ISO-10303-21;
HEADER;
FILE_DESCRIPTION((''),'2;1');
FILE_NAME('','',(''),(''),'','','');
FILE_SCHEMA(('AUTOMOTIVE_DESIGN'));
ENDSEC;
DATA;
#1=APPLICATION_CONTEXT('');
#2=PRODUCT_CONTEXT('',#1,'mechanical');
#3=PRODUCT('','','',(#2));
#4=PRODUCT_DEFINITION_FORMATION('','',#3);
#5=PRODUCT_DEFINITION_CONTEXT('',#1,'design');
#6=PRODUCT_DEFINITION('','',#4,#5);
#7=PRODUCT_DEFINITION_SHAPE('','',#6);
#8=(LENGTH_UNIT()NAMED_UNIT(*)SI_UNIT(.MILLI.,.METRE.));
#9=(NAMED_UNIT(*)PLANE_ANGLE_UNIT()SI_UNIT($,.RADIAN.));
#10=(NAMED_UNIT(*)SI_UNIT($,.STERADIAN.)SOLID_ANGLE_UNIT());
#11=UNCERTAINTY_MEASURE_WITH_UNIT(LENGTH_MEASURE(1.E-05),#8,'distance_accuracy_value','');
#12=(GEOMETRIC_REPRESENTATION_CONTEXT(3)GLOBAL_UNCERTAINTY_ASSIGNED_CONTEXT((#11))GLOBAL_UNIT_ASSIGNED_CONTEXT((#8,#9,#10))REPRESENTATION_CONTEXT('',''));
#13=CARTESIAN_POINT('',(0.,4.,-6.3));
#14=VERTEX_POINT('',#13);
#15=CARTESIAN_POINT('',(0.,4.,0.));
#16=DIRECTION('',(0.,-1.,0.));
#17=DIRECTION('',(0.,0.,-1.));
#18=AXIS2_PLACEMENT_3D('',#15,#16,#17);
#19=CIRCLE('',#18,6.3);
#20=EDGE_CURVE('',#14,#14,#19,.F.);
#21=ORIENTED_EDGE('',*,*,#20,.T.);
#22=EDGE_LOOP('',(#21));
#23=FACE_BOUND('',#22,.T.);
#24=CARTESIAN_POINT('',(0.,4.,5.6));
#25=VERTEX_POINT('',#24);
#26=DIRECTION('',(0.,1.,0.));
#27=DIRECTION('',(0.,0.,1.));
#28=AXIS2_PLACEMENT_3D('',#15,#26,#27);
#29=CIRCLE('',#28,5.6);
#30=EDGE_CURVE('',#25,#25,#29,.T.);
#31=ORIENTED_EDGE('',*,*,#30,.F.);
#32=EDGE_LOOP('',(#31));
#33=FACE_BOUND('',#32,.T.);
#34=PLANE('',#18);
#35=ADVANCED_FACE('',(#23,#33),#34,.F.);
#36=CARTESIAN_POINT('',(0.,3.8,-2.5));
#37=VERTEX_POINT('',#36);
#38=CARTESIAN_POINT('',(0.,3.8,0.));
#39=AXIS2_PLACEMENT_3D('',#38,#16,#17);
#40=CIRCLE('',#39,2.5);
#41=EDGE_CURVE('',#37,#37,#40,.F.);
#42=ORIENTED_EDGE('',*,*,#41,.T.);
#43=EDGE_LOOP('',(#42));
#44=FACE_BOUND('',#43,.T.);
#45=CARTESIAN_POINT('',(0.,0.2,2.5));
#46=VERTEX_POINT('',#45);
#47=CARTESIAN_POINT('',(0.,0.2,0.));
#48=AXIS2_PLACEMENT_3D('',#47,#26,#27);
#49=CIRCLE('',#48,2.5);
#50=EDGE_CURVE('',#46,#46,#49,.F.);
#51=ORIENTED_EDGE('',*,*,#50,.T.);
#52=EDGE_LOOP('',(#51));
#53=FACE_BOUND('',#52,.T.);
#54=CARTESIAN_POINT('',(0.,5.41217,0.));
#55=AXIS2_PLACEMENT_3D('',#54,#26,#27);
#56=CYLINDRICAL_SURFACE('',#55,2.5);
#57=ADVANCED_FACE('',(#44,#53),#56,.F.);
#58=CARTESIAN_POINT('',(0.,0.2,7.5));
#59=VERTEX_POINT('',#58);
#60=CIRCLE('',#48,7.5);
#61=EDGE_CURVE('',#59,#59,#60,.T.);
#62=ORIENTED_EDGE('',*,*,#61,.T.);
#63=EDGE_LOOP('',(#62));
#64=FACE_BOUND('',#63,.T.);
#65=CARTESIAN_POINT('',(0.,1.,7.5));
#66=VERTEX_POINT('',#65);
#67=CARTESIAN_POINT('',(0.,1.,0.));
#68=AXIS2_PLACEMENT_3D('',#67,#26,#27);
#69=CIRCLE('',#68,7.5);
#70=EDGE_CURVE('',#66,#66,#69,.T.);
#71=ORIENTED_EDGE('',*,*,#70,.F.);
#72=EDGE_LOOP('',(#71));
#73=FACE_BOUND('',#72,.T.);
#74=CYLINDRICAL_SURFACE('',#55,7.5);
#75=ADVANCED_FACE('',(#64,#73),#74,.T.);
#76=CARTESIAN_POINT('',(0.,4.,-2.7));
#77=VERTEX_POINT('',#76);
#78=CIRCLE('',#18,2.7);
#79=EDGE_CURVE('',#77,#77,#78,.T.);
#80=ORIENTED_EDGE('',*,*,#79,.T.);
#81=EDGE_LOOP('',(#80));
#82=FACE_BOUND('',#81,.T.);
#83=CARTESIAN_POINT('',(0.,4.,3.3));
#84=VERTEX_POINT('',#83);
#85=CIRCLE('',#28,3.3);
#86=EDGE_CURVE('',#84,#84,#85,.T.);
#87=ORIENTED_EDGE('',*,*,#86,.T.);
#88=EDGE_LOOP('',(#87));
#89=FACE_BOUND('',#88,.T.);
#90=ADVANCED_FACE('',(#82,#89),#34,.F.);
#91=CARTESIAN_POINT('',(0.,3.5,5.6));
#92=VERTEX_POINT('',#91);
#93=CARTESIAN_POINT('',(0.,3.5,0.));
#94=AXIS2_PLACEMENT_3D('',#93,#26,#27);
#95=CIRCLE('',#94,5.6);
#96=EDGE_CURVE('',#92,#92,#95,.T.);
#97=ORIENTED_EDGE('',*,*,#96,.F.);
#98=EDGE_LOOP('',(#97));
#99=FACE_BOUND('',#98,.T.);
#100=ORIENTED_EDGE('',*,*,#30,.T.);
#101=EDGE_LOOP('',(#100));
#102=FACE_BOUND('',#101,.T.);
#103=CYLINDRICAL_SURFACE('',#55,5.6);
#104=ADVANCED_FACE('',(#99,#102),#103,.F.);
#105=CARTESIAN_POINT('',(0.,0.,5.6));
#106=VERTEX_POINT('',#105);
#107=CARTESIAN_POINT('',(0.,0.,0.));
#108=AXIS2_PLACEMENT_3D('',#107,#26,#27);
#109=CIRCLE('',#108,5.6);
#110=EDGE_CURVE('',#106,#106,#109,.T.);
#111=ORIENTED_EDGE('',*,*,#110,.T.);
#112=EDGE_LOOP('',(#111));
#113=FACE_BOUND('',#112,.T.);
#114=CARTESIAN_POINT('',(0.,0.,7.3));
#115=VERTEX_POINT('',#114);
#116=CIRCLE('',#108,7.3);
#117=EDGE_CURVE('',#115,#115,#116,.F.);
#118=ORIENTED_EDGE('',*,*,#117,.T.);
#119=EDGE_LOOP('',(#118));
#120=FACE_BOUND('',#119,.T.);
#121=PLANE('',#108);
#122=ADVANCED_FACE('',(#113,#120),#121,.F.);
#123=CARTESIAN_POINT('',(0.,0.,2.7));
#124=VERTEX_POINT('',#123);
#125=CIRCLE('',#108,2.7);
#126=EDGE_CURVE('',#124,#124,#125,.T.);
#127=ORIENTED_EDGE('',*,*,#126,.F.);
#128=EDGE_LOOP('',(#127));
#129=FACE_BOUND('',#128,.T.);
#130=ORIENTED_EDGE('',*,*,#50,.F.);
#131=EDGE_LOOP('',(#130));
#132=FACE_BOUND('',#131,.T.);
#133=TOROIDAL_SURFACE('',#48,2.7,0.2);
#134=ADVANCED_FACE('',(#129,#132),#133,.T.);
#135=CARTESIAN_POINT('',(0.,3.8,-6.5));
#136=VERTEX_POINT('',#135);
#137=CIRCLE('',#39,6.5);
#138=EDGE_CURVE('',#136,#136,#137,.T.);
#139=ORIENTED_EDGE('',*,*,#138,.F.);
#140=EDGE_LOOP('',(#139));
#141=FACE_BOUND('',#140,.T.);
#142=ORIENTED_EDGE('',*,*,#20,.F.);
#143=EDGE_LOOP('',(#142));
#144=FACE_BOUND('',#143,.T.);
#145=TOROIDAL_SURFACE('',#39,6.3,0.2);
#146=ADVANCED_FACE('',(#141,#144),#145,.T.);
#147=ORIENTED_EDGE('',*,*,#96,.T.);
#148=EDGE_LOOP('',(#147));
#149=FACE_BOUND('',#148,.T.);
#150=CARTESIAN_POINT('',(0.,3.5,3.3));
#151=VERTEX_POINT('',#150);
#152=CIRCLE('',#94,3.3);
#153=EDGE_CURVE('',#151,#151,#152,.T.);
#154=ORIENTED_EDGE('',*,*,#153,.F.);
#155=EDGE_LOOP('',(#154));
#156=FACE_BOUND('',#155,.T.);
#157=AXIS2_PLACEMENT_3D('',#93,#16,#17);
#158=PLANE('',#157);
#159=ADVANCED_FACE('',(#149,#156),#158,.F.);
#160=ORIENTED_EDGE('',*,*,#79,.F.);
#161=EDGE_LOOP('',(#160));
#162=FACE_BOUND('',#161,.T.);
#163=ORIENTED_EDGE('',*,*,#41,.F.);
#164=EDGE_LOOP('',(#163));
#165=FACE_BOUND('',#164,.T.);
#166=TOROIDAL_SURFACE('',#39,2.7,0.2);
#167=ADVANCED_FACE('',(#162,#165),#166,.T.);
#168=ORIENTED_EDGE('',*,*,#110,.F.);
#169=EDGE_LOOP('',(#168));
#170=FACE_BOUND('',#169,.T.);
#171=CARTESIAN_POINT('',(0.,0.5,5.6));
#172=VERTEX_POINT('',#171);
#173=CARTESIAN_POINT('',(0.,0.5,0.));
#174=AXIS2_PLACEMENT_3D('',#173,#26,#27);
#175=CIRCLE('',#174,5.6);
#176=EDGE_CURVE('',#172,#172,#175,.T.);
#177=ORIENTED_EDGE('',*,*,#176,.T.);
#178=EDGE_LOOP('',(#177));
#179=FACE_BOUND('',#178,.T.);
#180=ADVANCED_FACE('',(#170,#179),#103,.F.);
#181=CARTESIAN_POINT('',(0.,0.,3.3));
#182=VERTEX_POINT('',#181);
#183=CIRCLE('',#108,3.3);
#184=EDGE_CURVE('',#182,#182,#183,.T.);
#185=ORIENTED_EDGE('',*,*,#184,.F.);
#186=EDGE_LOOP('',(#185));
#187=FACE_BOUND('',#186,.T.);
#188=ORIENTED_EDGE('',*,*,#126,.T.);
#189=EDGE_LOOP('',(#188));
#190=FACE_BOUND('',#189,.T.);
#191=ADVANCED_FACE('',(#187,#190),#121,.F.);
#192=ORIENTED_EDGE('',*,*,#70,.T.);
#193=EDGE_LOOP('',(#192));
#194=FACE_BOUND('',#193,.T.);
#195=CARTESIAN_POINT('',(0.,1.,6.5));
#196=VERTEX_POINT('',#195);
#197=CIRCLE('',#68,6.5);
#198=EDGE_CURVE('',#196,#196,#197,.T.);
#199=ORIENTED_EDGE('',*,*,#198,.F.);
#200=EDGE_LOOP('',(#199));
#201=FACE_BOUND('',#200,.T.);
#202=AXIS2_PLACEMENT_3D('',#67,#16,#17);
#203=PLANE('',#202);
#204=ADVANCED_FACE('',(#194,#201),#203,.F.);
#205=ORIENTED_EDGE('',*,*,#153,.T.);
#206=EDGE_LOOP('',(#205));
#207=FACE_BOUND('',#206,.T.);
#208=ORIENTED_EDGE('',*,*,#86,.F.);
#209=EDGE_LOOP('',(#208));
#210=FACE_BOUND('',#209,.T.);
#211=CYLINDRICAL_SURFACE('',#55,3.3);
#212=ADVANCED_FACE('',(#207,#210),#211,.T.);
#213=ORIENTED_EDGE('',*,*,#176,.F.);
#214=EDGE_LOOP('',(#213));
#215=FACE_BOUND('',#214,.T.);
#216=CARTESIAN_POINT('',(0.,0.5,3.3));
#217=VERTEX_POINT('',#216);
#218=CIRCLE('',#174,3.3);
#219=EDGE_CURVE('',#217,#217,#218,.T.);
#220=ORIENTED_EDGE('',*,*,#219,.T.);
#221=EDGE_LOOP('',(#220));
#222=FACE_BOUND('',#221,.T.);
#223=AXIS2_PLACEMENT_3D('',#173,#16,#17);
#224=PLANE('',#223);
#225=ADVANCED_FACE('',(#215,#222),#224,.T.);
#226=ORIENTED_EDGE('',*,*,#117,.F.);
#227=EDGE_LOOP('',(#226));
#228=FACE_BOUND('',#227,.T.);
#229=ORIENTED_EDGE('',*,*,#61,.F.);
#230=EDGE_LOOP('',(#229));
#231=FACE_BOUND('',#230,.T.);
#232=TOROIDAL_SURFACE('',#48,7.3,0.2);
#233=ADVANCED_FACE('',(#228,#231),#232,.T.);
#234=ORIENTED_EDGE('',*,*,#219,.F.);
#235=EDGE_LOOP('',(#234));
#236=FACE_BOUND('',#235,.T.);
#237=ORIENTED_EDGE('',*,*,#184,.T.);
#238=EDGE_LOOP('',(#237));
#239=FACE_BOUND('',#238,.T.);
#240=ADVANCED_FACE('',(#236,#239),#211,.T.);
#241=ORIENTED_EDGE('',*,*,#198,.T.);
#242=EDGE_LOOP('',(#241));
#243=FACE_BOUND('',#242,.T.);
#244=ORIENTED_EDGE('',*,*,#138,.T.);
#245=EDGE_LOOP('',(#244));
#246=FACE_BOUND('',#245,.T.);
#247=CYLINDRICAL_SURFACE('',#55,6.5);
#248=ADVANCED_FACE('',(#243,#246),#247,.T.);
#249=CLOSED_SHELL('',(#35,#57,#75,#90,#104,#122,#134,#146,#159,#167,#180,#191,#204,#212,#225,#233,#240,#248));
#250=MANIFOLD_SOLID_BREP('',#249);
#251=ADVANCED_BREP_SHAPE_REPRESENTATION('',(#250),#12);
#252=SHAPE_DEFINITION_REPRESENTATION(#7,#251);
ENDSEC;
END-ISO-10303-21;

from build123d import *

# Parameters (mm, degrees)
FILLET_1_R = 0.2


with BuildPart() as part:
    # 草图1 → 旋转1 (revolve)
    with BuildSketch(Plane.XY, mode=Mode.PRIVATE) as revolve_1_sk:
        Polygon((2.5, 4), (2.5, 0), (3.3, 0), (3.3, 0.5), (5.6, 0.5), (5.6, 0), (7.5, 0), (7.5, 1), (6.5, 1), (6.5, 4), (5.6, 4), (5.6, 3.5), (3.3, 3.5), (3.3, 4), align=None)
    revolve(revolve_1_sk.sketch.rotate(Axis((0, 5.412170411, 0), (0, -1, 0)), 90), axis=Axis((0, 5.412170411, 0), (0, -1, 0)))

    # 圆角1
    fillet_1_edges = [part.edges().sort_by_distance(p)[0] for p in [
        (0, 0, -2.5),
        (0, 4, -2.5),
        (0, 4, -6.5),
        (0, 0, -7.5),
    ]]
    fillet(fillet_1_edges, radius=FILLET_1_R)


solid = part.part
